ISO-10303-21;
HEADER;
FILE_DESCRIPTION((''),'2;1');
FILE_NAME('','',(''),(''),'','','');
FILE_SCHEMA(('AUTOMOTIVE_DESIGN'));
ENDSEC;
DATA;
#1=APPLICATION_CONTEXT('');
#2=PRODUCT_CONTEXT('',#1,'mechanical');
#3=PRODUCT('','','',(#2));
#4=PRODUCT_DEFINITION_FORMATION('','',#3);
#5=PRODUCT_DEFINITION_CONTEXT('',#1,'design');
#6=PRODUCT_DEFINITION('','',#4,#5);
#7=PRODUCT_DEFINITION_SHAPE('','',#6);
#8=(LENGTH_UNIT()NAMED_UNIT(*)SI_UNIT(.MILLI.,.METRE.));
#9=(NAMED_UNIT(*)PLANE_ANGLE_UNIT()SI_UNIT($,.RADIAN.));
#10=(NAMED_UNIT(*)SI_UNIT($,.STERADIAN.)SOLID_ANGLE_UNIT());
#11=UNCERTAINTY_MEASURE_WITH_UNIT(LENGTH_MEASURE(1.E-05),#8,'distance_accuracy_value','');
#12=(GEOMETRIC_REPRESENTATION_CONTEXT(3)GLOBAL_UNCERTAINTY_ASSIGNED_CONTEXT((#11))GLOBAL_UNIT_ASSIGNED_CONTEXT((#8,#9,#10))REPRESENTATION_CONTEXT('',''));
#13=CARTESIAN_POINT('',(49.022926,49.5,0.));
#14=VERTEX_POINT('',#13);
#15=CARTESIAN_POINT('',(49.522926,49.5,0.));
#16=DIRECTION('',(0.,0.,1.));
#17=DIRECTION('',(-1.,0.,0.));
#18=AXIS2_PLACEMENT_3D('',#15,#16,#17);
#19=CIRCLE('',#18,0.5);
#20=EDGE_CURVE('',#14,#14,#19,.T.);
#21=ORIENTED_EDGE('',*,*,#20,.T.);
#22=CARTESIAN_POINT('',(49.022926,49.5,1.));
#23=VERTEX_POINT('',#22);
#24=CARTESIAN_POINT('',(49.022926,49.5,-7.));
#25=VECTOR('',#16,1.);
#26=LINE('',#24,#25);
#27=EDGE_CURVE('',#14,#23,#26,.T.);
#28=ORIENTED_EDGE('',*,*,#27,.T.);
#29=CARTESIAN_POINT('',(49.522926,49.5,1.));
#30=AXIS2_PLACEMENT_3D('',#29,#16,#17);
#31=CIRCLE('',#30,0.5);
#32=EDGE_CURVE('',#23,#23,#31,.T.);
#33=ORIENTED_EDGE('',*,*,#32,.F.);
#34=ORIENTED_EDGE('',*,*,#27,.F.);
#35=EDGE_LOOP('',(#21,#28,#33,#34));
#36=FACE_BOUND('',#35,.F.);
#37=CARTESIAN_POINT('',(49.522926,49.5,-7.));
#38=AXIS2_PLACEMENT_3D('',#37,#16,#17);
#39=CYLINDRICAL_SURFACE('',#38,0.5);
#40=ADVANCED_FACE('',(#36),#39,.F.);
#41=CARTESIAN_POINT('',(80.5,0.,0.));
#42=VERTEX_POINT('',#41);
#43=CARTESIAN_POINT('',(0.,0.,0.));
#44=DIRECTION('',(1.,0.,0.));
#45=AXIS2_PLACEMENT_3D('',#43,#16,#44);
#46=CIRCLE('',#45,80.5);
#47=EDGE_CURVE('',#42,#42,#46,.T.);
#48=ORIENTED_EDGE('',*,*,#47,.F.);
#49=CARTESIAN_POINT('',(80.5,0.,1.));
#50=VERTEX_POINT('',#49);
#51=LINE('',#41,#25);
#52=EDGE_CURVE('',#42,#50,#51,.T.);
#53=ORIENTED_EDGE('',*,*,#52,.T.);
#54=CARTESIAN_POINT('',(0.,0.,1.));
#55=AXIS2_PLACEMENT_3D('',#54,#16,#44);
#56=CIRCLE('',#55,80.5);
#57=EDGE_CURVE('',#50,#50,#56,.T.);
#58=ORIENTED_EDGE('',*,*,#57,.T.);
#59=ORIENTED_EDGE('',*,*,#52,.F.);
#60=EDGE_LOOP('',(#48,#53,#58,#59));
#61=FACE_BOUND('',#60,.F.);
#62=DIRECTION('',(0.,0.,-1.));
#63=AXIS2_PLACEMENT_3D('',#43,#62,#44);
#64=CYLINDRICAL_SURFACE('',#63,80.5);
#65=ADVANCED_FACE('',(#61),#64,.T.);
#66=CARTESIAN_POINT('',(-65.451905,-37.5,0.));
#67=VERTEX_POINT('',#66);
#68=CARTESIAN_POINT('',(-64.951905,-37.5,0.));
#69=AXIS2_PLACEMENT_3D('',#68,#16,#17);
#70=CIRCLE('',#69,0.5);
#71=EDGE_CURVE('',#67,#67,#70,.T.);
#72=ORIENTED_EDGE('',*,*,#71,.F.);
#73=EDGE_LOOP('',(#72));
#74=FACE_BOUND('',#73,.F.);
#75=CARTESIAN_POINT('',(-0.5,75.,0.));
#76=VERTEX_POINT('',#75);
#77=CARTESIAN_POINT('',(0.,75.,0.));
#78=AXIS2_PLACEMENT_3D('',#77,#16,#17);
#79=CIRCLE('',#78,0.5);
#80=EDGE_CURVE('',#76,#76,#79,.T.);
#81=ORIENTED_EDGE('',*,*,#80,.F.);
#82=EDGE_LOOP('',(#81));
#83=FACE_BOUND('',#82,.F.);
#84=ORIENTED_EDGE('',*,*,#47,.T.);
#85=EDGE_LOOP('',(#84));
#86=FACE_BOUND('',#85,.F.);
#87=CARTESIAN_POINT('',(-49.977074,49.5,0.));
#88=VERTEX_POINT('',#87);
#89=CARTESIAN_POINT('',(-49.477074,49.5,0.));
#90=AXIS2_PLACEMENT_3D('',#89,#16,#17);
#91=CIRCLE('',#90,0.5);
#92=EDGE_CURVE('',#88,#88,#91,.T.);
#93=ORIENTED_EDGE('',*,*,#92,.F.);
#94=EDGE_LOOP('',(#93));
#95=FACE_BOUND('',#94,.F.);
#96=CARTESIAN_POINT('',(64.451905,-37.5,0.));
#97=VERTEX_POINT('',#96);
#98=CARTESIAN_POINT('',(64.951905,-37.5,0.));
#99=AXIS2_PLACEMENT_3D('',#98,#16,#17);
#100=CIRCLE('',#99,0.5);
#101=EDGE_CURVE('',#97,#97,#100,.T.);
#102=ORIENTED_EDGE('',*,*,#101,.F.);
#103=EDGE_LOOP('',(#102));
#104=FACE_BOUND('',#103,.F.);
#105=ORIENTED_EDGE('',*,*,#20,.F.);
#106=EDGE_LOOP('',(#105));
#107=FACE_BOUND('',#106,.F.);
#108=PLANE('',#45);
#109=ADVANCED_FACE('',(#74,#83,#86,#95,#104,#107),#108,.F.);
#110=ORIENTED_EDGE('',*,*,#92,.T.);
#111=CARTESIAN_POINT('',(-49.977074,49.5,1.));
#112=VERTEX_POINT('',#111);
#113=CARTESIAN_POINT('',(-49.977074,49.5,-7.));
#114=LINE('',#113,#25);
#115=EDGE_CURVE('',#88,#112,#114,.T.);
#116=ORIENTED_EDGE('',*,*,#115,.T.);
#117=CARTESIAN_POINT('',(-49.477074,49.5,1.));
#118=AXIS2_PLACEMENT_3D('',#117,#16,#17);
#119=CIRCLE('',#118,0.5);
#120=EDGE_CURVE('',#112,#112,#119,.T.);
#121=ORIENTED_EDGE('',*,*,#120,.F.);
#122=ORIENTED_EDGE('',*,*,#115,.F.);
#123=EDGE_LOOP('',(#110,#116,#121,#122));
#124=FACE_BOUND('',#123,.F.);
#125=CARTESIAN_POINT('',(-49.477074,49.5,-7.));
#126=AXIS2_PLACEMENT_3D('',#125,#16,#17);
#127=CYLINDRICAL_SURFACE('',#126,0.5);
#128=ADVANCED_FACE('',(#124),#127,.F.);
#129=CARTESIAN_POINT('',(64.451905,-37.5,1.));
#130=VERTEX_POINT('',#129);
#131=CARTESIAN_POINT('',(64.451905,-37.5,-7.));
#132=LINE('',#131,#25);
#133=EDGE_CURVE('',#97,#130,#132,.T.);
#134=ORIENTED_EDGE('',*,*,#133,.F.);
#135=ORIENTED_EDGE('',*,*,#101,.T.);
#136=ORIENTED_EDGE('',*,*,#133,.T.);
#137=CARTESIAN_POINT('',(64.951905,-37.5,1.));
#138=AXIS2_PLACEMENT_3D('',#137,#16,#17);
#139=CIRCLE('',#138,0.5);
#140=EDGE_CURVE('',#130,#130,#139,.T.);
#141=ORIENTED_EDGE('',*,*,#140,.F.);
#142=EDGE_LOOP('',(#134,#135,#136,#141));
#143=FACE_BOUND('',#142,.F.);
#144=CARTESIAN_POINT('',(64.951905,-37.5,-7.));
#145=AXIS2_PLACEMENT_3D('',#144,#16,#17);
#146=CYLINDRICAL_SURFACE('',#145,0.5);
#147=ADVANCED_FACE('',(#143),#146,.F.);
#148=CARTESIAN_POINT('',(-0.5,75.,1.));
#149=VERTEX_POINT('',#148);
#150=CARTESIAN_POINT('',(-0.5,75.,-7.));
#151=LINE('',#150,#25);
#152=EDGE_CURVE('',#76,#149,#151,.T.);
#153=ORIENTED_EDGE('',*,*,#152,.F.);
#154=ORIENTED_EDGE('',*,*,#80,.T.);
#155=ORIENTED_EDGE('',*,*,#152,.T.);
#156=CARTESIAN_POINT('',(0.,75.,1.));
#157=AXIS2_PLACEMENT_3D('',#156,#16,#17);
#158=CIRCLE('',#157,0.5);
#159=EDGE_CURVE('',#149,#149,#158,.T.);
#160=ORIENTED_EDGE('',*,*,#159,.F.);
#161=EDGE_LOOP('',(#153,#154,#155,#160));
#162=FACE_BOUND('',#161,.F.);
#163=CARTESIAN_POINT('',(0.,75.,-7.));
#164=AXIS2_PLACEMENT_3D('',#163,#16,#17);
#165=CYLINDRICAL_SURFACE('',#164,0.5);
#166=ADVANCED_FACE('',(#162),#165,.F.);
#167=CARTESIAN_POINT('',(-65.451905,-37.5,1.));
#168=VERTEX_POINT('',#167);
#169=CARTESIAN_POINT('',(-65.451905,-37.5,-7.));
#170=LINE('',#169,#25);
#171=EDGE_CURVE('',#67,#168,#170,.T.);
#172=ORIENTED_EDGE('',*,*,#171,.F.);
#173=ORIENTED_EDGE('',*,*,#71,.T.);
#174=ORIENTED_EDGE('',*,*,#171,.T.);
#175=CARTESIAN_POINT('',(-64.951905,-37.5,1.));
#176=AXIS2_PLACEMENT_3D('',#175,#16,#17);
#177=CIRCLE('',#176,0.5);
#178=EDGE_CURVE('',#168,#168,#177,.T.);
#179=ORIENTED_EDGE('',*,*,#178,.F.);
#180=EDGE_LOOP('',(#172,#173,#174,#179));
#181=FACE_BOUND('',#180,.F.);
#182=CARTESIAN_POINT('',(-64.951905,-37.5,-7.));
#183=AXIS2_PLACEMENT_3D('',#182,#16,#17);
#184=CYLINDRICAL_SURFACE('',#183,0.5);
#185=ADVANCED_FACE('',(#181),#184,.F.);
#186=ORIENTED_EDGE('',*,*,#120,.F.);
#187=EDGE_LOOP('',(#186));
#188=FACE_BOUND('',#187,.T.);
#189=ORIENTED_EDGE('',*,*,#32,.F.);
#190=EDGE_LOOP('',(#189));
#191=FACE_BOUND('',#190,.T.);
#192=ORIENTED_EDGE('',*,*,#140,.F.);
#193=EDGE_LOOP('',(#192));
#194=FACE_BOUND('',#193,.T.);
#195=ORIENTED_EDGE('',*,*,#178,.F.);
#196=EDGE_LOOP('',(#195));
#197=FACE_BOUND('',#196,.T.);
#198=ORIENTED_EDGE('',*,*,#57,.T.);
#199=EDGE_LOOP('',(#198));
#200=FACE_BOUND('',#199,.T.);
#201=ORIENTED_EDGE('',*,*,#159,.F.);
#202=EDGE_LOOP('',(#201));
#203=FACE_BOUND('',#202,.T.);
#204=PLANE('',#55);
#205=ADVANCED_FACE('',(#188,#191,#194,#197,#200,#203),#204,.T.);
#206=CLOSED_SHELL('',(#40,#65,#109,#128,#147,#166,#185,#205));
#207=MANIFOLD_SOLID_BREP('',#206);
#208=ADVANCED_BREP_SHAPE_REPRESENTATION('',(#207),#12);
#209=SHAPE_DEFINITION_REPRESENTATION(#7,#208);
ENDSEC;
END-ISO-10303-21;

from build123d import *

# Parameters (mm, degrees)
F0_R     = 80.5
F1_DEPTH = 1
F2_D     = 1
F2_DEPTH = 7
F2_TIP   = 0.3004303095


with BuildPart() as f1:
    # F0 (on Top) → F1 (new body)
    with BuildSketch(Plane.XY):
        Circle(F0_R)
        Polygon((0, 0), (64.9519052838, -37.5), (-64.9519052838, -37.5), align=None, mode=Mode.SUBTRACT)
        Polygon((-64.9519052838, -37.5), (64.9519052838, -37.5), (0, 0), align=None)
    extrude(amount=F1_DEPTH)

    # F2
    with Locations(Plane(origin=(0, 0, 0), x_dir=(1, 0, 0), z_dir=(0, 0, -1))):
        with Locations((-49.4770742953, -49.5), (49.5229257047, -49.5), (0, -75), (-64.9519052838, 37.5), (64.9519052838, 37.5)):
            Hole(F2_D / 2, depth=F2_DEPTH)
            with Locations((0, 0, -(F2_DEPTH + F2_TIP / 2))):  # 118° drill point
                Cone(0, F2_D / 2, F2_TIP, mode=Mode.SUBTRACT)


solid = f1.part
